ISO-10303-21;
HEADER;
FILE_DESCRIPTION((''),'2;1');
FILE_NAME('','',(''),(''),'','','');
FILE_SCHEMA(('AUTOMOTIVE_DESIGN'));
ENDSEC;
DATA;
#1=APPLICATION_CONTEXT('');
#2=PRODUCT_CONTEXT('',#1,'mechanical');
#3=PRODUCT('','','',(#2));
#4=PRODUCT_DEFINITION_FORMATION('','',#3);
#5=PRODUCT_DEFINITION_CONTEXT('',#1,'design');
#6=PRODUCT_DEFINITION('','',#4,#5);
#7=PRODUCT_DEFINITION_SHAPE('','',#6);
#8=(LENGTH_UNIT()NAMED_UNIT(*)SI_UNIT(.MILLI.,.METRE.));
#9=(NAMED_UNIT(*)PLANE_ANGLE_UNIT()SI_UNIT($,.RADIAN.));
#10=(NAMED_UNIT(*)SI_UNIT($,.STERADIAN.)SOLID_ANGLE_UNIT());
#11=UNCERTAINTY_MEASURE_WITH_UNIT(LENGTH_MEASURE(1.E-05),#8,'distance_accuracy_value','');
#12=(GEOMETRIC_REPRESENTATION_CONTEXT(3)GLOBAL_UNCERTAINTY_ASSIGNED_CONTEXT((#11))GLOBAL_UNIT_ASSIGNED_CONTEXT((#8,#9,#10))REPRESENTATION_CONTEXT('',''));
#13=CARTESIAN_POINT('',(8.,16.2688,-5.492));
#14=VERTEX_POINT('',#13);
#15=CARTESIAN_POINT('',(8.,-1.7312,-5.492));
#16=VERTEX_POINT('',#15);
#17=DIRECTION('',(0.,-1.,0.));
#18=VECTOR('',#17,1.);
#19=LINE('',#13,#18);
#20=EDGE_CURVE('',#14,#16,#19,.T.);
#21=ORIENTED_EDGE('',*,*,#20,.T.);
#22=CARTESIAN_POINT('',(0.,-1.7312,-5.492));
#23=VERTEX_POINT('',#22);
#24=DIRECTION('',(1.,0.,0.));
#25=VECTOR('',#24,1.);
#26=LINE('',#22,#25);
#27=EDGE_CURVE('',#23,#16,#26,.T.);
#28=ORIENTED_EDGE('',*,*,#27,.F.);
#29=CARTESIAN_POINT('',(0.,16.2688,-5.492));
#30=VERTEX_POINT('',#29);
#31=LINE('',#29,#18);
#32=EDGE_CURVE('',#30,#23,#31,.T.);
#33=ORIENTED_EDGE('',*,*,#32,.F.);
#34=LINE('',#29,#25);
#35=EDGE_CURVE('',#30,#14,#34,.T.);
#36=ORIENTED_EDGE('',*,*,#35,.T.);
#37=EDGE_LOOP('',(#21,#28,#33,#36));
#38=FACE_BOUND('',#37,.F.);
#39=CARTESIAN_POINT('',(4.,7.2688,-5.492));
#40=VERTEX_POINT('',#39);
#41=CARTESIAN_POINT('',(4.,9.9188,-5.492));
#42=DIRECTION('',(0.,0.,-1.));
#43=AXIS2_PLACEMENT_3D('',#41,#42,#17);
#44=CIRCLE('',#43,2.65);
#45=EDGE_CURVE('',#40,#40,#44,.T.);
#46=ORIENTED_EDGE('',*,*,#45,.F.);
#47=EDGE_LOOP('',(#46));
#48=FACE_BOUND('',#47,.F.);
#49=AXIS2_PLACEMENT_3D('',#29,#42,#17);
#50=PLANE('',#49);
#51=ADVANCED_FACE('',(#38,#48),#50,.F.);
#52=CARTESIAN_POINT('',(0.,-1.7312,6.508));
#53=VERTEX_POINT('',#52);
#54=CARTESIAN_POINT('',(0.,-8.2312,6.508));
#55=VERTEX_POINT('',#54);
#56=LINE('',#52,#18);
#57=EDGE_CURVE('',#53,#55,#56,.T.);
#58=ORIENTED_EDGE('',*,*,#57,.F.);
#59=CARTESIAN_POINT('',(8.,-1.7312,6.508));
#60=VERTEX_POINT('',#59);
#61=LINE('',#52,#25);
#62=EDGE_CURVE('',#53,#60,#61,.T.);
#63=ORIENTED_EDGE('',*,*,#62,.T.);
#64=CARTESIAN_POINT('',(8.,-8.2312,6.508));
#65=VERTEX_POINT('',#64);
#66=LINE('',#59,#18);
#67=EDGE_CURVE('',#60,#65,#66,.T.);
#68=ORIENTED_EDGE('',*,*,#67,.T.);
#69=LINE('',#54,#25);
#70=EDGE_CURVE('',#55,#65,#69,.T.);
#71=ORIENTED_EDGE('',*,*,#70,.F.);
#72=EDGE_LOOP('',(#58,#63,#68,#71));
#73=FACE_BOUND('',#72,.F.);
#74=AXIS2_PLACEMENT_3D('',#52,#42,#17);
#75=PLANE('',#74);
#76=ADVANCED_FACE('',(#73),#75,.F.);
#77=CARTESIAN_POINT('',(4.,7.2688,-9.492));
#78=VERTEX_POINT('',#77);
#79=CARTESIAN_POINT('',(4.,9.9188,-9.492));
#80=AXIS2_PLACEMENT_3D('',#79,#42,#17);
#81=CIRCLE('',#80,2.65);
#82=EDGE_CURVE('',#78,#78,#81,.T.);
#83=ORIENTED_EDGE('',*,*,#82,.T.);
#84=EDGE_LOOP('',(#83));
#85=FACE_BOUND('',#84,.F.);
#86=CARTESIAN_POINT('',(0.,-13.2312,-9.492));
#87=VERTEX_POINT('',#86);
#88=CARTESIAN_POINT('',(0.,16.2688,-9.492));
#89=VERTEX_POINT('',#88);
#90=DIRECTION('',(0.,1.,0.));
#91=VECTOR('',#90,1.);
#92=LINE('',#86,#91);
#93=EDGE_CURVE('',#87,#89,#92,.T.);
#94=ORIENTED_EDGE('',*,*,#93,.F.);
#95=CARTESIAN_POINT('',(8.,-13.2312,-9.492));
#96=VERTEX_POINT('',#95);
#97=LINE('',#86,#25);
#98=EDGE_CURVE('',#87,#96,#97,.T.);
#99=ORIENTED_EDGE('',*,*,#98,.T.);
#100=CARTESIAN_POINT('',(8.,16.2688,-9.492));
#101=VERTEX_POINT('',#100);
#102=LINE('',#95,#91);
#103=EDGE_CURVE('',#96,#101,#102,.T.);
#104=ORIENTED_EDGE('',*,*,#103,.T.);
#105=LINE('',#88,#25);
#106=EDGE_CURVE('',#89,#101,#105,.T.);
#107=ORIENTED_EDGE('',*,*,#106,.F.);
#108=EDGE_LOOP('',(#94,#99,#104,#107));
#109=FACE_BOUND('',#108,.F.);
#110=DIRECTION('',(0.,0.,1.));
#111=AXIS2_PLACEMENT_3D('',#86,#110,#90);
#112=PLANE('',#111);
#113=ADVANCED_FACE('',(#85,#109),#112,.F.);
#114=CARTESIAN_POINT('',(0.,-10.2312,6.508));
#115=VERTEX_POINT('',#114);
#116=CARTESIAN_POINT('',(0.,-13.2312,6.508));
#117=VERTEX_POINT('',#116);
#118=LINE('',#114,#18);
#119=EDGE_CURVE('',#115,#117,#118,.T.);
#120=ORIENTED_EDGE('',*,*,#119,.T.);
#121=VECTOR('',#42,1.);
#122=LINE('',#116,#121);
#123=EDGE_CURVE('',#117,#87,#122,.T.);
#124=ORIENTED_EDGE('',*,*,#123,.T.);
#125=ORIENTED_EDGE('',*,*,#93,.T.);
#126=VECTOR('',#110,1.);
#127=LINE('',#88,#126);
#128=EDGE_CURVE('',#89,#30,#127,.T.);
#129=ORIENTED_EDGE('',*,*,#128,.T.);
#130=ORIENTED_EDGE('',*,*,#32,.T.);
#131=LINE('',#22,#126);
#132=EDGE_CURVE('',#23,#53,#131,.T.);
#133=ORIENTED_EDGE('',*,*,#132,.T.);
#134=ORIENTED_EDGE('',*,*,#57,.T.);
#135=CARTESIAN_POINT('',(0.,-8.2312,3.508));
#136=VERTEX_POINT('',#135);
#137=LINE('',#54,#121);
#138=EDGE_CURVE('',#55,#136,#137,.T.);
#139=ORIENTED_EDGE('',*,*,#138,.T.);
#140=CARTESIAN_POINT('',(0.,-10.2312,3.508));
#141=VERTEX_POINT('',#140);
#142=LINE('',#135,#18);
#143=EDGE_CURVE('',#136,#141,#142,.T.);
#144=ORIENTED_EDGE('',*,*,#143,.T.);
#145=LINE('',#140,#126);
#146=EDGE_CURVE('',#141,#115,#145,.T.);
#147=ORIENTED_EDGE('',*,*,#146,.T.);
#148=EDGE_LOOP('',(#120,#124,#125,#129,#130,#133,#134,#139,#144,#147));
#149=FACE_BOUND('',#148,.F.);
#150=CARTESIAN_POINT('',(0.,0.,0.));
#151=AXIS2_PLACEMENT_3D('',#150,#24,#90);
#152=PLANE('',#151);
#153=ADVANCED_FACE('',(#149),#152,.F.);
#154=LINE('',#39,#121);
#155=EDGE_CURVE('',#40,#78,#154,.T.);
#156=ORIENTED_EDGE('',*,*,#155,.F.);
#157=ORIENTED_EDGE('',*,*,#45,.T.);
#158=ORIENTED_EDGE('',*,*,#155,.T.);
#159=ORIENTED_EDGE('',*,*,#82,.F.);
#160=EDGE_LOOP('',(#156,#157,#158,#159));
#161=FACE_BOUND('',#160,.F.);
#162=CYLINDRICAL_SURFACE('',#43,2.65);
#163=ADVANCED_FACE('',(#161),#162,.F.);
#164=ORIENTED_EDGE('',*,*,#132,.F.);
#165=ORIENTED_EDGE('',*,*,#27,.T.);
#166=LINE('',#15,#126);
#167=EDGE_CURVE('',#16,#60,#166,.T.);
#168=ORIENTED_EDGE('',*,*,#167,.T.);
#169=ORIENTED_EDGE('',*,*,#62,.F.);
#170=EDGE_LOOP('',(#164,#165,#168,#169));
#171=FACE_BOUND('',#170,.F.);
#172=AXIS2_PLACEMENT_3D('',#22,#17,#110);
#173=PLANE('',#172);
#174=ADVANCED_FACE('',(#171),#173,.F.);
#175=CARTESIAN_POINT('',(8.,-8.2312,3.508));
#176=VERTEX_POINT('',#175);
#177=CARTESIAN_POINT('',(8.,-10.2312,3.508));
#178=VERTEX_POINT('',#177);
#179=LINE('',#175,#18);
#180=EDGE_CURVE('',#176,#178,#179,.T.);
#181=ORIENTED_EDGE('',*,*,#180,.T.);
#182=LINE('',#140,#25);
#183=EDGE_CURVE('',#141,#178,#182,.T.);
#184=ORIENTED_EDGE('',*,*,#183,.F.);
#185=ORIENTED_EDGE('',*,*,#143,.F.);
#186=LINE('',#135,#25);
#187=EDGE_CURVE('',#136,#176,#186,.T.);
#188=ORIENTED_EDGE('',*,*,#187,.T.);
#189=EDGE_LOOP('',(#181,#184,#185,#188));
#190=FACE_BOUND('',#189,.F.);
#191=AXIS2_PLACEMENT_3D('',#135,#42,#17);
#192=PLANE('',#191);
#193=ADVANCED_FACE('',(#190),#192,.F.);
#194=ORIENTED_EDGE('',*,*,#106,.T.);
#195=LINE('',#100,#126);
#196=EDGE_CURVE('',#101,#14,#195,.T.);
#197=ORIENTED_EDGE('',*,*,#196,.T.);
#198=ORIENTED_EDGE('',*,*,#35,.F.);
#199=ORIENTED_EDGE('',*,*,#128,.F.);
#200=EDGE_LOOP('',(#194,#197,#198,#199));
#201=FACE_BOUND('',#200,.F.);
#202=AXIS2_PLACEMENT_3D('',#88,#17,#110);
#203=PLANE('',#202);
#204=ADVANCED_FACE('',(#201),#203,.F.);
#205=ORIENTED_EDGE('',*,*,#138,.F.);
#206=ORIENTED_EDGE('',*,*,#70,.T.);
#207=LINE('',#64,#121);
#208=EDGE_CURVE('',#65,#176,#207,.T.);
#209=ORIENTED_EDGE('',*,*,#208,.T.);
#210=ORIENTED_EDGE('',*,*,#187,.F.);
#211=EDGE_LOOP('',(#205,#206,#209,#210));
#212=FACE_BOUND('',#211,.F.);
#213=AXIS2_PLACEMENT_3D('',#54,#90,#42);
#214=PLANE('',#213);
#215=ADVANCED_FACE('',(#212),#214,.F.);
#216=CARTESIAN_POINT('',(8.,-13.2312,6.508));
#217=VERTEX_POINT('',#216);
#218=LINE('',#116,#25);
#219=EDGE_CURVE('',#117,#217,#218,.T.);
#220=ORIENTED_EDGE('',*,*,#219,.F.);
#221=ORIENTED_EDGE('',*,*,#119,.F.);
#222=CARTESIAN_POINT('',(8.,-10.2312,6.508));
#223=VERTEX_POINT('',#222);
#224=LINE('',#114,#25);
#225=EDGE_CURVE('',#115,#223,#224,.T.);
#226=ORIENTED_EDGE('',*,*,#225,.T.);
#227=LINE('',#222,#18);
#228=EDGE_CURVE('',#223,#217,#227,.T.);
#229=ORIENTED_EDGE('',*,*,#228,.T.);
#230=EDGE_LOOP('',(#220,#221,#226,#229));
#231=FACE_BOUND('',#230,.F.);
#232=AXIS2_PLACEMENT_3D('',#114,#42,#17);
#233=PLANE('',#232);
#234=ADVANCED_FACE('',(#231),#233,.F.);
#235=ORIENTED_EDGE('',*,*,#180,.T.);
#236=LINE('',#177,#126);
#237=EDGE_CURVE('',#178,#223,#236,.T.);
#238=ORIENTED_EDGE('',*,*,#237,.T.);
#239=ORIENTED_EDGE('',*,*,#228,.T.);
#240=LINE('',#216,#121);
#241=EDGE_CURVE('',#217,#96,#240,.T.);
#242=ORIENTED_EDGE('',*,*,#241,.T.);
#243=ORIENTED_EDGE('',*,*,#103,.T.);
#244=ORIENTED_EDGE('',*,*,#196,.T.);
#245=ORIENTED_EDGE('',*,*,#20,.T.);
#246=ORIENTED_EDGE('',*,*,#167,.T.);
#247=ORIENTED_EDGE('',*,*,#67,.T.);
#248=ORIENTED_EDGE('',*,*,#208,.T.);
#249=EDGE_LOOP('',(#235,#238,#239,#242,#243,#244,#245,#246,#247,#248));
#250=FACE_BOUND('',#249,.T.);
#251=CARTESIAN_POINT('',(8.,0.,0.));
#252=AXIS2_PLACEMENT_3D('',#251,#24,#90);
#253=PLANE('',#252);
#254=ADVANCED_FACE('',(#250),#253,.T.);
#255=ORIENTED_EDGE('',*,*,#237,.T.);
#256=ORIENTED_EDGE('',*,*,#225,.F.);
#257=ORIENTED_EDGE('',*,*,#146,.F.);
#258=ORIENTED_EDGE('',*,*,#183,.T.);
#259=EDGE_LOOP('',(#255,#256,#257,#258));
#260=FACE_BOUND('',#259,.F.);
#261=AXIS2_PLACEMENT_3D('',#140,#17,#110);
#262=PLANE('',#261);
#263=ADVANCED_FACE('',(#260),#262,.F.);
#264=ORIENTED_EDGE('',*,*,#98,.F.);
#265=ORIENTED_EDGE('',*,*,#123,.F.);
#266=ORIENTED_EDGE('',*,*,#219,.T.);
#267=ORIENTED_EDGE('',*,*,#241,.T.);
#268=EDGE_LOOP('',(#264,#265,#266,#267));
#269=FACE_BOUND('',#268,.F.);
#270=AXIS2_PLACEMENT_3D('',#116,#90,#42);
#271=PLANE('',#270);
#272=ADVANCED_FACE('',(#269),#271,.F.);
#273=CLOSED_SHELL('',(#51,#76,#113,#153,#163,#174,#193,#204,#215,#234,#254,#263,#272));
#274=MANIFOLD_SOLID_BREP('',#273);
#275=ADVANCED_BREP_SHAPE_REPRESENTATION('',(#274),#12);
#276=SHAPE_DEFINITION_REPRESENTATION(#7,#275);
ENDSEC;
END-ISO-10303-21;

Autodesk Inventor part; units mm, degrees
ref_plane "YZ Plane" through (0, 0, 0) normal (1, 0, 0) x (0, 1, 0)
ref_plane "XZ Plane" through (0, 0, 0) normal (0, 1, 0) x (-1, 0, 0)
ref_plane "XY Plane" through (0, 0, 0) normal (0, 0, 1) x (1, 0, 0)
sketch "Sketch2" plane through (0, 0, 0) normal (1, 0, 0) x (0, 1, 0)
  line L0 (-8.2312, 6.508) -> (-8.2312, 3.508)
  line L1 (-8.2312, 3.508) -> (-10.2312, 3.508)
  line L2 (-10.2312, 3.508) -> (-10.2312, 6.508)
  line L3 (-10.2312, 6.508) -> (-13.2312, 6.508)
  line L4 (-13.2312, 6.508) -> (-13.2312, -9.492)
  line L5 (-13.2312, -9.492) -> (16.2688, -9.492)
  line L6 (16.2688, -5.492) -> (-1.7312, -5.492)
  line L7 (-1.7312, -5.492) -> (-1.7312, 6.508)
  line L8 (16.2688, -9.492) -> (16.2688, -5.492)
  line L9 (-1.7312, 6.508) -> (-8.2312, 6.508)
  point P0 (0, 0)
  dimension "d2" = 2
  dimension "d3" = 3
  dimension "d4" = 16
  dimension "d9" = 12
  dimension "d10" = 29.5
  dimension "d11" = 24.5
  dimension "d12" = 18
  dimension "d22" = 4
extrude "Extrusion1" add sketch "Sketch2" along normal blind 8
sketch "Sketch3" plane through (0, -1.7312, -5.492) normal (0, 0, 1) x (1, 0, 0)
  line L0 (0, 18) -> (8, 18) projected
  line L1 (0, 0) -> (0, 18) projected
  point P0 (0, 1.7312)
  point P1 (4, 11.65)
  dimension "d13" = 6.35
  dimension "d14" = 4
hole "Hole1" at (4, 9.9188, -5.492) direction (0, 0, -1) diameter 5.3 depth 8 tip angle 118
properties part number "grip2"
